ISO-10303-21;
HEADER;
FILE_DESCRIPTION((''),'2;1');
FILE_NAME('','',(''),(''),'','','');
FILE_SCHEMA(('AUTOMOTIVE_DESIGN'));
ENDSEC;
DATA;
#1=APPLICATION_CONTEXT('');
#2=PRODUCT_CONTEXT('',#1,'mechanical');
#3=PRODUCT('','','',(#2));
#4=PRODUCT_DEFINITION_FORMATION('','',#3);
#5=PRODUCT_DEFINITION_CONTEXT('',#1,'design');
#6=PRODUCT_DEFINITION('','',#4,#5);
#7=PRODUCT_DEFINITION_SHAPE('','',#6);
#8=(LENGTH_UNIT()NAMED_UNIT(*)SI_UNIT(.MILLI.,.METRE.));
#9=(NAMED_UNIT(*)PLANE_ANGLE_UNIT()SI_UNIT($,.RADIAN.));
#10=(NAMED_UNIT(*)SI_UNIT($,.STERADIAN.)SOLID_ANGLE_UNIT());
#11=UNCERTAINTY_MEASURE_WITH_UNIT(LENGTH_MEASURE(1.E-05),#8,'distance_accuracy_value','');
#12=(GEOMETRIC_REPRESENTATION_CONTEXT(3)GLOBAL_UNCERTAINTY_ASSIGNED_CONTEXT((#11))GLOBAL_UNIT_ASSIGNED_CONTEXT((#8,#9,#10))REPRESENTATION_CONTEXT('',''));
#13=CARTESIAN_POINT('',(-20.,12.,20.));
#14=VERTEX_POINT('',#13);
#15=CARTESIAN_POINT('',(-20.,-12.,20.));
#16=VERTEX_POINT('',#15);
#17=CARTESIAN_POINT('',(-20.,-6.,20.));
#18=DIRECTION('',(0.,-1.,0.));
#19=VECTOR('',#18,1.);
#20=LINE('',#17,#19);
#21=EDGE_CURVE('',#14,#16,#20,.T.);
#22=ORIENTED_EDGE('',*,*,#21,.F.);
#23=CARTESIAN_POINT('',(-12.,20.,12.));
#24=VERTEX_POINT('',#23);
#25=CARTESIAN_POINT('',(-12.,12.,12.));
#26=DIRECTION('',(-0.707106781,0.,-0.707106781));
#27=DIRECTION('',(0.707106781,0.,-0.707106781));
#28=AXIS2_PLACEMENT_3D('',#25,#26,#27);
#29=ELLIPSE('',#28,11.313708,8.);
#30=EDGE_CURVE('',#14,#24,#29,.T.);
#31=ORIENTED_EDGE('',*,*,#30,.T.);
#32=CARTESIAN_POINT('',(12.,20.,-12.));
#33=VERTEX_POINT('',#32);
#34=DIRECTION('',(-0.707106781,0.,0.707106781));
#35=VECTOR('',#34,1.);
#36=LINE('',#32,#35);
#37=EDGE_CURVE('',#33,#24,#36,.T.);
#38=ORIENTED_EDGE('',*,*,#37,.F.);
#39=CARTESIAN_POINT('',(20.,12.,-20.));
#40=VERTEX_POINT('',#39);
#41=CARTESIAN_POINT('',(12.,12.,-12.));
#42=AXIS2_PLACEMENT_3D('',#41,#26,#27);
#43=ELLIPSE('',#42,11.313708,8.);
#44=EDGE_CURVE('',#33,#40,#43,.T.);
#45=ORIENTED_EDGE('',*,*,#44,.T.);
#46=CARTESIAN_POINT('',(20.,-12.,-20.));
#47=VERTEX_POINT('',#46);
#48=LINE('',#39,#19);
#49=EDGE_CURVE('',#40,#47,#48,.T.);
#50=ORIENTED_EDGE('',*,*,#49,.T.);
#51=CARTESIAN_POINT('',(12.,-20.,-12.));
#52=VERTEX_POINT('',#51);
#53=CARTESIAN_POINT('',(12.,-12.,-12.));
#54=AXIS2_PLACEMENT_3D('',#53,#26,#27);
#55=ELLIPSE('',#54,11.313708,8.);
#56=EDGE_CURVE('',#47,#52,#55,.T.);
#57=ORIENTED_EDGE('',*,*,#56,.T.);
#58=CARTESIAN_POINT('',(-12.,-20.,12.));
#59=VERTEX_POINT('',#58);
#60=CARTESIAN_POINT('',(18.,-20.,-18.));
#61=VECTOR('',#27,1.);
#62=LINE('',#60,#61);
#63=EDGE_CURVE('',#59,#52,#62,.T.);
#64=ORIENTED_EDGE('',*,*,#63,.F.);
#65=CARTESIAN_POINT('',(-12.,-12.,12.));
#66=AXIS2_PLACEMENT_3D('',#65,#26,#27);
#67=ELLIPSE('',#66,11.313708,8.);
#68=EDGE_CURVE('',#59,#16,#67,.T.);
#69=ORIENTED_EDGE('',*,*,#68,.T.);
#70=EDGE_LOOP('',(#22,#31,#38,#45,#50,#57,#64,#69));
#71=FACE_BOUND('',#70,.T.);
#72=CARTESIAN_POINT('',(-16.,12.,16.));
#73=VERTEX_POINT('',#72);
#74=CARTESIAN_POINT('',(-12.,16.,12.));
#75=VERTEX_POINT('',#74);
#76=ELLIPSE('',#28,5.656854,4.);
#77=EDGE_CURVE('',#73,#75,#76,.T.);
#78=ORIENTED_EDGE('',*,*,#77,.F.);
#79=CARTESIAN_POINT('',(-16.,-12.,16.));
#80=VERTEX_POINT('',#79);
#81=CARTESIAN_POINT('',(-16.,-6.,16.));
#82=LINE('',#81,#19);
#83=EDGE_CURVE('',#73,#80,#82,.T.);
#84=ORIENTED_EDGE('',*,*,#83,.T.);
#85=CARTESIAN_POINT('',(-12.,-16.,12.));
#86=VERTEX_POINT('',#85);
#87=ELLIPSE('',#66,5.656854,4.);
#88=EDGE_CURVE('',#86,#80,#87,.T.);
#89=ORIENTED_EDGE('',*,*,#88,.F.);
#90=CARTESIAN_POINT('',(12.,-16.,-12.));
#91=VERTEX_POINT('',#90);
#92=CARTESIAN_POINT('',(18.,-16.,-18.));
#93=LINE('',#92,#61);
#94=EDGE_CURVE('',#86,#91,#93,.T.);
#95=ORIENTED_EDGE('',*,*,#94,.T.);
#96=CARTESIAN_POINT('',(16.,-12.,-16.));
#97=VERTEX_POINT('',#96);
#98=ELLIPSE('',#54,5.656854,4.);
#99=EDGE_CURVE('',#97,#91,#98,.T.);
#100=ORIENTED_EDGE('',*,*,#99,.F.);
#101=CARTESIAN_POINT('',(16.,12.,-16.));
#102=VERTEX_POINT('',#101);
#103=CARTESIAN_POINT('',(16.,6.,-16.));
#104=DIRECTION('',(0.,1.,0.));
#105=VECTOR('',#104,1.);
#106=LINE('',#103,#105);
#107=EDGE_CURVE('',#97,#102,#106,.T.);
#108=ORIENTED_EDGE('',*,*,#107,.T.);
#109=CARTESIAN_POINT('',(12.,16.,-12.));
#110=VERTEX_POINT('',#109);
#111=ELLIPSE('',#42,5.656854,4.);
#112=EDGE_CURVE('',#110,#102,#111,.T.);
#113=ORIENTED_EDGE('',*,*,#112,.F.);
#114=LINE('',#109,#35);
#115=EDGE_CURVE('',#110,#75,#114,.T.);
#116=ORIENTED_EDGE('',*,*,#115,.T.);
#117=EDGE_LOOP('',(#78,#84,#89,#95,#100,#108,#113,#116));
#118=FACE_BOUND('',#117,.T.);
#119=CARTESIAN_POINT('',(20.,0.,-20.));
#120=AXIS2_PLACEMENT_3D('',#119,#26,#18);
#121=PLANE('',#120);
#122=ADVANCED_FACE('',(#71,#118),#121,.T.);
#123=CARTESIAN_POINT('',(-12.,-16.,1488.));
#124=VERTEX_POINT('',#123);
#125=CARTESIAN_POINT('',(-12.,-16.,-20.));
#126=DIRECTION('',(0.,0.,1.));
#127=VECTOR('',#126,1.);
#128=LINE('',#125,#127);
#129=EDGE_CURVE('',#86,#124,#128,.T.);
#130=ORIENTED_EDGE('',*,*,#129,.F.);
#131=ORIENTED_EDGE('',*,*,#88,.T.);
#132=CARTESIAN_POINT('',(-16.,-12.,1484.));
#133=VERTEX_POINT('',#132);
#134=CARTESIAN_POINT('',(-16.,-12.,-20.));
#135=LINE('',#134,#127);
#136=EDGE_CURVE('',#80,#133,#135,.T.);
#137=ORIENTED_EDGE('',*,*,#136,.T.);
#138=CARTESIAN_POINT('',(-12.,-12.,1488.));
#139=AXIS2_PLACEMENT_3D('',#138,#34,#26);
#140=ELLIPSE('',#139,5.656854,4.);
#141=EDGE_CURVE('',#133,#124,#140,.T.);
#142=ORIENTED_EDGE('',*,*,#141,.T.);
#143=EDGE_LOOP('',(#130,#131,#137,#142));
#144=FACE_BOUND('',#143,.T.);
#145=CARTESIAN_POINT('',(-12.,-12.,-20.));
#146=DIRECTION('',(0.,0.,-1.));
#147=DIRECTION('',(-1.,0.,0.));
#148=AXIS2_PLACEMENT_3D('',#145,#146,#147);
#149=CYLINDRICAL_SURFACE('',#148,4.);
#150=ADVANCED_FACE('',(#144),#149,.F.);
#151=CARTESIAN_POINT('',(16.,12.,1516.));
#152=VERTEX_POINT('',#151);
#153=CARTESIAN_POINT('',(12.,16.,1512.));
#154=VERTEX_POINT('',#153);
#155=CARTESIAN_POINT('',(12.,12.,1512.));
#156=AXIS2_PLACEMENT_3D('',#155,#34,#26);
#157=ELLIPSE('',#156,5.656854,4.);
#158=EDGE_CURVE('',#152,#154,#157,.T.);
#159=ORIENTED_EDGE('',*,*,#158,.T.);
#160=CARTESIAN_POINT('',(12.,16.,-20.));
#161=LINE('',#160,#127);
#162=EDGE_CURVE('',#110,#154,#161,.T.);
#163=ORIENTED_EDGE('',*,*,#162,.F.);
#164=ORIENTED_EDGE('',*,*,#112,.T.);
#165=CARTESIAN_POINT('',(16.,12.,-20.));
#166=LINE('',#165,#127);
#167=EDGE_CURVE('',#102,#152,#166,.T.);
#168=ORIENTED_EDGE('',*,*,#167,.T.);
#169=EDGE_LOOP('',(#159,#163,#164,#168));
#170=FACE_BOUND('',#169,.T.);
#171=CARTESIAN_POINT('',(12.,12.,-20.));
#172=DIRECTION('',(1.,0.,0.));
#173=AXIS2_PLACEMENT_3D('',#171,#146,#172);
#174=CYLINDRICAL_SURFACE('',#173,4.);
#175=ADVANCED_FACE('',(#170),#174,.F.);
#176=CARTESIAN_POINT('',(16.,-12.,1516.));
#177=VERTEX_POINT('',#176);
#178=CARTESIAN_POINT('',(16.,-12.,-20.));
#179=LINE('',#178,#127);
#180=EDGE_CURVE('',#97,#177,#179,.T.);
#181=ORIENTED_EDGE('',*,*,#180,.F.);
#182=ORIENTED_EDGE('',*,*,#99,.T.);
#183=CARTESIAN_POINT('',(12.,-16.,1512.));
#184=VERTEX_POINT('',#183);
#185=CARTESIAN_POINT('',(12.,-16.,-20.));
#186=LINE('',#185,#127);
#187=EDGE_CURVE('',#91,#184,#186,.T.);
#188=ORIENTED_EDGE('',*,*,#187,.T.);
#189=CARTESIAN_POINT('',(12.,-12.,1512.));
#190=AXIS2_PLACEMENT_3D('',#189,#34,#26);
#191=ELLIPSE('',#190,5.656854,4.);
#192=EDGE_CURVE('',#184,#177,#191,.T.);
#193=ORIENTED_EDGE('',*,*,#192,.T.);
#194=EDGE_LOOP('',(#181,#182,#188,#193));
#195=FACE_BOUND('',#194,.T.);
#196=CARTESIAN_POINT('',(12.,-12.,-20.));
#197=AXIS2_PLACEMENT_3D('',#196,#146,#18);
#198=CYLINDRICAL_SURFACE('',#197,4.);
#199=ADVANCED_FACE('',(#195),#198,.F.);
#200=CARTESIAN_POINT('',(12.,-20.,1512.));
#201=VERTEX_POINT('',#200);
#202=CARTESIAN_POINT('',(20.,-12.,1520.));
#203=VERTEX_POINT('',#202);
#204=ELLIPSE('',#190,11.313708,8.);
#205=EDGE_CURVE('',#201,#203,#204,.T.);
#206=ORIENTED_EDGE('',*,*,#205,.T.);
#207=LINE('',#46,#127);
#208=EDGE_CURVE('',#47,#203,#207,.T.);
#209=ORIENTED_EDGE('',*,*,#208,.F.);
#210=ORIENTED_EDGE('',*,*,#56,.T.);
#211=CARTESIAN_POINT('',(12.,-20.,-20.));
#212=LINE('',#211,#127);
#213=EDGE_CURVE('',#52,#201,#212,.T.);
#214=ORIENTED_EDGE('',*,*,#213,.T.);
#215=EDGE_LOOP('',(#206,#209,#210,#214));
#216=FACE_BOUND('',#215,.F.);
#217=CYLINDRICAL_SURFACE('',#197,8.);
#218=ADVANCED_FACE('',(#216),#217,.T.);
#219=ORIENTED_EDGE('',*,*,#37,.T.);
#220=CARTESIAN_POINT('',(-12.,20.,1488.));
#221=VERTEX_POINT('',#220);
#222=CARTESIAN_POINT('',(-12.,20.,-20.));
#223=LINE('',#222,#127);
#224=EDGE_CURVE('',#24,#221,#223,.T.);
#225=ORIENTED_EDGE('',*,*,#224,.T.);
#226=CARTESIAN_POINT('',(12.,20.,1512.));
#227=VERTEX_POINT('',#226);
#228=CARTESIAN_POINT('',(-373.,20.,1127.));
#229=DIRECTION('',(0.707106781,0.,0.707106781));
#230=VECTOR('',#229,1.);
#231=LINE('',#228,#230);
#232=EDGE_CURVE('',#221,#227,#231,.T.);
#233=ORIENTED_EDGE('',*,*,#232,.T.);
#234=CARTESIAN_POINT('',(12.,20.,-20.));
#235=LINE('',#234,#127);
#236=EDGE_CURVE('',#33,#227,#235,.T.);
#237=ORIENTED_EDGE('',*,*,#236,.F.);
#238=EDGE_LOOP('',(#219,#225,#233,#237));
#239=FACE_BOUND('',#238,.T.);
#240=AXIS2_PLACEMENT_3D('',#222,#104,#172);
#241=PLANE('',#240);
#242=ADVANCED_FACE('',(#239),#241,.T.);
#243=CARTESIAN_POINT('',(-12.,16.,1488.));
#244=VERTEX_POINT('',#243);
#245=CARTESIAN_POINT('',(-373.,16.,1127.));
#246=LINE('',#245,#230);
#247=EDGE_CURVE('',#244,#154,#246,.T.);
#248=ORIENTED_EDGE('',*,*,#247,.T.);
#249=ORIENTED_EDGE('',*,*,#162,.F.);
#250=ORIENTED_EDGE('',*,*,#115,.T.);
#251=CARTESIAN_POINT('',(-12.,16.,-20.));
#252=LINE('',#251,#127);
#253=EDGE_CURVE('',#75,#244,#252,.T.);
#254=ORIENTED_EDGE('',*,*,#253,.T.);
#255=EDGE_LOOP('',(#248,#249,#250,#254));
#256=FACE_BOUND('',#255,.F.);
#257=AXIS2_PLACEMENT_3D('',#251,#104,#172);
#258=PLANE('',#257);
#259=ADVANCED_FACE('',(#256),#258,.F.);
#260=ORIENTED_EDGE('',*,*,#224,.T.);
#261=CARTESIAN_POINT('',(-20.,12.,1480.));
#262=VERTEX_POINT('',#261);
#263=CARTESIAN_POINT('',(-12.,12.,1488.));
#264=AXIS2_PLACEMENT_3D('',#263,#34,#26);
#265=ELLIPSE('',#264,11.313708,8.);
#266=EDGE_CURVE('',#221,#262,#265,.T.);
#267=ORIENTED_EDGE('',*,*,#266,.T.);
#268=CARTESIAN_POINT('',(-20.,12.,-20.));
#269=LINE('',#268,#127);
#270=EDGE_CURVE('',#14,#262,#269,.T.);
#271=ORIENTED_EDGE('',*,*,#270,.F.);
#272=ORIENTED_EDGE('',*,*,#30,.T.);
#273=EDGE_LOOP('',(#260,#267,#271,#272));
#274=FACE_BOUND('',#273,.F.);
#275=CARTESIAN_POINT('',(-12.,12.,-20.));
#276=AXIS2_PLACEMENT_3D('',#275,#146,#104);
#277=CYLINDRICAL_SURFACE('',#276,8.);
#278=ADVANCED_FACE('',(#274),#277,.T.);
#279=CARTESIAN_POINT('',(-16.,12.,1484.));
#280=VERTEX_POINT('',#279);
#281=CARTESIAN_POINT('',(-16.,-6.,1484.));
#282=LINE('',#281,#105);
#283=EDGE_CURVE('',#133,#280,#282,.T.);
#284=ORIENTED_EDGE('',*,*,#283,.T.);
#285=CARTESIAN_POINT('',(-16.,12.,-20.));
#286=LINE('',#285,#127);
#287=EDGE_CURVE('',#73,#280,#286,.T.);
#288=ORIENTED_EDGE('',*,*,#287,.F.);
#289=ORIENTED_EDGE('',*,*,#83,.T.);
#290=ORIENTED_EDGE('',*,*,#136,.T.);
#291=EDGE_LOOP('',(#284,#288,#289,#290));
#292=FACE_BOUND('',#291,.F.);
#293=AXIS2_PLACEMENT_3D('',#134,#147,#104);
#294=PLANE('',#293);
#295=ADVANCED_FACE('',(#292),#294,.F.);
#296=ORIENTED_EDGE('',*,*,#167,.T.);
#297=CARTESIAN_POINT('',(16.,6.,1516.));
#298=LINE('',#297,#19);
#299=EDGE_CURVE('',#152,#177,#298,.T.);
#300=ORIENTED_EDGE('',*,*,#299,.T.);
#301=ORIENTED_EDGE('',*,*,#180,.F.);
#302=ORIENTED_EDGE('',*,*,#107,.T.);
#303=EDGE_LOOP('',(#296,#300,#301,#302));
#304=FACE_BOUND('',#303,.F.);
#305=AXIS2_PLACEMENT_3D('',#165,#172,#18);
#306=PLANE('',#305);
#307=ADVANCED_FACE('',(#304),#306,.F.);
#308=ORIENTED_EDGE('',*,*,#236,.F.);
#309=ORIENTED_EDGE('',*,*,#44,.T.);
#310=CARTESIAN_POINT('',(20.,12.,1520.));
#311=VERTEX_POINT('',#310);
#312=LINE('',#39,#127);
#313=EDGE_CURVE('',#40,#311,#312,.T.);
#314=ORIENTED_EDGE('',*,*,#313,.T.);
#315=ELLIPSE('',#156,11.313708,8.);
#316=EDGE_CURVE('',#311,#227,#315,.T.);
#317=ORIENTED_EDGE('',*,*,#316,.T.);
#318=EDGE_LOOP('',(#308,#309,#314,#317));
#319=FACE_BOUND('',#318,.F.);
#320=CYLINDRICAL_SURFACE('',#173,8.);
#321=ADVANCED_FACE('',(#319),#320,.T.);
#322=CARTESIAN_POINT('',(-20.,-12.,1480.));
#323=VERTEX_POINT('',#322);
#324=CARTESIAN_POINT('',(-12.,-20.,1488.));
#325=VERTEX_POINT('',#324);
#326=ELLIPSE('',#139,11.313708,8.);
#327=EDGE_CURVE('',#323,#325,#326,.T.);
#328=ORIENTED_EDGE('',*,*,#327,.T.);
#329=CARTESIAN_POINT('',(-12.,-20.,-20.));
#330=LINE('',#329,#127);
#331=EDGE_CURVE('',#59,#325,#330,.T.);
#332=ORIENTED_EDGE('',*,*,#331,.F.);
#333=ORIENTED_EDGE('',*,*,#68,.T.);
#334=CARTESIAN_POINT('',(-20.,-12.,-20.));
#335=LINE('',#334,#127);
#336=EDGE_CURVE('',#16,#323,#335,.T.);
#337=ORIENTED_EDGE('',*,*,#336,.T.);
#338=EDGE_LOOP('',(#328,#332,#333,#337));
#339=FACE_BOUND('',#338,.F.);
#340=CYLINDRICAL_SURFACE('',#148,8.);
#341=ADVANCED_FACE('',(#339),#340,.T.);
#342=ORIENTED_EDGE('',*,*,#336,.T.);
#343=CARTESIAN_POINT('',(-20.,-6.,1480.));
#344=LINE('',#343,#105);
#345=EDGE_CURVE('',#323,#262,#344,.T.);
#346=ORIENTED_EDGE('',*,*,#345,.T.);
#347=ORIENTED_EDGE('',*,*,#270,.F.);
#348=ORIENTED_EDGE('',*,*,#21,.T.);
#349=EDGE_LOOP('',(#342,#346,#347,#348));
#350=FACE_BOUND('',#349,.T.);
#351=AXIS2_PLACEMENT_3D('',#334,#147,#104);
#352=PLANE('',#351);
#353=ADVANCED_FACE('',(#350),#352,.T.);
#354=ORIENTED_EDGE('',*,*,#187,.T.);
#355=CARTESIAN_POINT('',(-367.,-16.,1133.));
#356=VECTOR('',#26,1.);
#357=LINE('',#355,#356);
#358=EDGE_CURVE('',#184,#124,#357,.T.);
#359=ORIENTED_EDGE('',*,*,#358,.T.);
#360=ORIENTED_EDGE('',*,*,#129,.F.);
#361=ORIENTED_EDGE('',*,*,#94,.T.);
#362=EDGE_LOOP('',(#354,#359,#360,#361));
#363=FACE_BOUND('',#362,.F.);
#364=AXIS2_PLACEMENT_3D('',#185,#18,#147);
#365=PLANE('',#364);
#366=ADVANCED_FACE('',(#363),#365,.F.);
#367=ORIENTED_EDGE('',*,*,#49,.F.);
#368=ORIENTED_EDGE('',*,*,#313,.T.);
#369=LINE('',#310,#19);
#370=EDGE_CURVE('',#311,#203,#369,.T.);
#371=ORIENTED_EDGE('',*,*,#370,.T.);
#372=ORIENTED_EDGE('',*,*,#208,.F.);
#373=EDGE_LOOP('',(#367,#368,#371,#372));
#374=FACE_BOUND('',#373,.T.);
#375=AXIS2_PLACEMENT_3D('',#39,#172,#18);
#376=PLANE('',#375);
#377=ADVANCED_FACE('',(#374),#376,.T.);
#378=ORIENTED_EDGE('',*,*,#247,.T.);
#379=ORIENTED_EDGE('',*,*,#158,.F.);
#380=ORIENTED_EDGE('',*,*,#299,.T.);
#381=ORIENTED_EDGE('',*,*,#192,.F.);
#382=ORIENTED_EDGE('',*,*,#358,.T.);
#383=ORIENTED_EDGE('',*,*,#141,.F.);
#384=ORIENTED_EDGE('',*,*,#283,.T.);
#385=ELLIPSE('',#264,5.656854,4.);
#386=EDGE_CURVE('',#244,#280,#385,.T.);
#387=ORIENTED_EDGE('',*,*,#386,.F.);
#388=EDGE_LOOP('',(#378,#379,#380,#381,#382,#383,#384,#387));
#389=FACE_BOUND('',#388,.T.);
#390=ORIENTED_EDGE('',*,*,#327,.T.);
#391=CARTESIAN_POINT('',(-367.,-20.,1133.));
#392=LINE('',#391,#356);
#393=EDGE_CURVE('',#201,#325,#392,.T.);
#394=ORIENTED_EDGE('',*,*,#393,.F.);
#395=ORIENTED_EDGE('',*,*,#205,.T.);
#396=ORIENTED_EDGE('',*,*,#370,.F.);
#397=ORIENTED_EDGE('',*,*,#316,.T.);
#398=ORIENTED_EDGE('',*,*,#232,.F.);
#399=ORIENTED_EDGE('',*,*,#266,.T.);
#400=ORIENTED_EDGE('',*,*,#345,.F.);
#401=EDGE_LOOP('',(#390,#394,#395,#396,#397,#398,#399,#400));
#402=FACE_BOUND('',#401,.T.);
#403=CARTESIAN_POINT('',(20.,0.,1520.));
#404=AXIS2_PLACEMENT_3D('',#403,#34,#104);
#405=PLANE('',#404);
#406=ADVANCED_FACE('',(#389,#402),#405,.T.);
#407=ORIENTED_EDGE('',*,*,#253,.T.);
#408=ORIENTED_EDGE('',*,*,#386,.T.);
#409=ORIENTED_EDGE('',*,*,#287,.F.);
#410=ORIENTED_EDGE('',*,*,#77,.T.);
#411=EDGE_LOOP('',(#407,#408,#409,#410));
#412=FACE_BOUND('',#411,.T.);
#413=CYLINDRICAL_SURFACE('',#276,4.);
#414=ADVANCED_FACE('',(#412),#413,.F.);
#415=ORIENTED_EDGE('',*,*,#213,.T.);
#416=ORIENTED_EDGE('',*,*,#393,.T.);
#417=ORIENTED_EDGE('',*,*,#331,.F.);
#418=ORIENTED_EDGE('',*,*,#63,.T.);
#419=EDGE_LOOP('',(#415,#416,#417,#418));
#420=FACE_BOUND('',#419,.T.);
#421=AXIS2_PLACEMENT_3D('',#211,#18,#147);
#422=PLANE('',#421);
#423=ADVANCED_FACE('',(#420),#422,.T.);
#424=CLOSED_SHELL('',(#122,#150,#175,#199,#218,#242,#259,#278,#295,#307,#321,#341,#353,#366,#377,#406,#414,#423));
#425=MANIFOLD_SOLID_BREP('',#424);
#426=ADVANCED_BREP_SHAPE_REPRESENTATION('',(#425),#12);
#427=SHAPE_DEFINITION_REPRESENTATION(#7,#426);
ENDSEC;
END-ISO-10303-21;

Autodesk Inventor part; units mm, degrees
ref_plane "Start plane" through (0, 0, -20) normal (0, 0, 1) x (1, 0, 0)
ref_plane "End plane" through (0, 0, 1520) normal (0, 0, 1) x (1, 0, 0)
sketch "Sketch" plane through (0, 0, 0) normal (0, 0, 1) x (1, 0, 0)
  line L0 (-20, -12) -> (-20, 12)
  line L1 (-12, 20) -> (12, 20)
  line L2 (20, 12) -> (20, -12)
  line L3 (12, -20) -> (-12, -20)
  arc A0 (-20, -12) -> (-12, -20) centre (-12, -12) ccw
  arc A1 (-12, 20) -> (-20, 12) centre (-12, 12) ccw
  arc A2 (20, 12) -> (12, 20) centre (12, 12) ccw
  arc A3 (12, -20) -> (20, -12) centre (12, -12) ccw
  arc A4 (-12, 16) -> (-16, 12) centre (-12, 12) ccw
  line L4 (-12, 16) -> (12, 16)
  arc A5 (16, 12) -> (12, 16) centre (12, 12) ccw
  line L5 (16, 12) -> (16, -12)
  arc A6 (12, -16) -> (16, -12) centre (12, -12) ccw
  line L6 (12, -16) -> (-12, -16)
  arc A7 (-16, -12) -> (-12, -16) centre (-12, -12) ccw
  line L7 (-16, -12) -> (-16, 12)
  line L8 (0, 30.3196) -> (0, -30.3196) construction
  line L9 (-30.3196, 0) -> (30.3196, 0) construction
  dimension "d7" = 8
  dimension "d10" = 40
  dimension "d11" = 40
  dimension "d12" = 4
  dimension "d15" = 20
  dimension "d16" = 20
extrude "Body" add sketch "Sketch" along normal up to surface (1540 mm away) from surface at -20
sketch "Sketch3" plane through (0, 0, 0) normal (0, 0, 1) x (1, 0, 0)
  line L0 (0, 0) -> (10, 0)
ref_plane "Work Plane3" through (0, 0, 0) normal (0, -1, 0) x (1, 0, 0)
sketch "Sketch4" plane through (0, 0, 0) normal (0, -1, 0) x (1, 0, 0)
  line L0 (-2, -20) -> (12, -20)
  line L1 (-2, 1520) -> (12, 1520)
  dimension "d18" = 1540
ref_plane "Work Plane4" through (20, 0, 1520) normal (-0.7071, 0, 0.7071) x (0.7071, 0, 0.7071)
split "Split1" plane through (20, 0, 1520) removes the side toward (-0.7071, 0, 0.7071)
ref_plane "Work Plane5" through (20, 0, -20) normal (-0.7071, 0, -0.7071) x (-0.7071, 0, 0.7071)
split "Split2" plane through (20, 0, -20) removes the side toward (-0.7071, 0, -0.7071)
equation "\"d7\" = G_IR"
equation "\"d10\" = G_H"
equation "\"d11\" = G_W"
equation "\"d12\" = G_T"
equation "\"d15\" = 0.5 * d10"
equation "\"d16\" = 0.5 * d11"
equation "\"d3\" = G_L"
equation "\"G_W\" = 40"
equation "\"G_H\" = 40"
equation "\"G_T\" = 4"
equation "\"G_IR\" = 8"
equation "\"G_L\" = d18"
equation "\"G_OFFSET_START\" = 20"
equation "\"G_OFFSET_END\" = 20"
equation "\"d13\" = -G_OFFSET_START"
equation "\"d14\" = G_OFFSET_END + B_L"
equation "\"B_L\" = 1500"
properties part number "DIN EN 10219-2 - 40 x 40 x 4  - 1540" material "Steel, Mild"
